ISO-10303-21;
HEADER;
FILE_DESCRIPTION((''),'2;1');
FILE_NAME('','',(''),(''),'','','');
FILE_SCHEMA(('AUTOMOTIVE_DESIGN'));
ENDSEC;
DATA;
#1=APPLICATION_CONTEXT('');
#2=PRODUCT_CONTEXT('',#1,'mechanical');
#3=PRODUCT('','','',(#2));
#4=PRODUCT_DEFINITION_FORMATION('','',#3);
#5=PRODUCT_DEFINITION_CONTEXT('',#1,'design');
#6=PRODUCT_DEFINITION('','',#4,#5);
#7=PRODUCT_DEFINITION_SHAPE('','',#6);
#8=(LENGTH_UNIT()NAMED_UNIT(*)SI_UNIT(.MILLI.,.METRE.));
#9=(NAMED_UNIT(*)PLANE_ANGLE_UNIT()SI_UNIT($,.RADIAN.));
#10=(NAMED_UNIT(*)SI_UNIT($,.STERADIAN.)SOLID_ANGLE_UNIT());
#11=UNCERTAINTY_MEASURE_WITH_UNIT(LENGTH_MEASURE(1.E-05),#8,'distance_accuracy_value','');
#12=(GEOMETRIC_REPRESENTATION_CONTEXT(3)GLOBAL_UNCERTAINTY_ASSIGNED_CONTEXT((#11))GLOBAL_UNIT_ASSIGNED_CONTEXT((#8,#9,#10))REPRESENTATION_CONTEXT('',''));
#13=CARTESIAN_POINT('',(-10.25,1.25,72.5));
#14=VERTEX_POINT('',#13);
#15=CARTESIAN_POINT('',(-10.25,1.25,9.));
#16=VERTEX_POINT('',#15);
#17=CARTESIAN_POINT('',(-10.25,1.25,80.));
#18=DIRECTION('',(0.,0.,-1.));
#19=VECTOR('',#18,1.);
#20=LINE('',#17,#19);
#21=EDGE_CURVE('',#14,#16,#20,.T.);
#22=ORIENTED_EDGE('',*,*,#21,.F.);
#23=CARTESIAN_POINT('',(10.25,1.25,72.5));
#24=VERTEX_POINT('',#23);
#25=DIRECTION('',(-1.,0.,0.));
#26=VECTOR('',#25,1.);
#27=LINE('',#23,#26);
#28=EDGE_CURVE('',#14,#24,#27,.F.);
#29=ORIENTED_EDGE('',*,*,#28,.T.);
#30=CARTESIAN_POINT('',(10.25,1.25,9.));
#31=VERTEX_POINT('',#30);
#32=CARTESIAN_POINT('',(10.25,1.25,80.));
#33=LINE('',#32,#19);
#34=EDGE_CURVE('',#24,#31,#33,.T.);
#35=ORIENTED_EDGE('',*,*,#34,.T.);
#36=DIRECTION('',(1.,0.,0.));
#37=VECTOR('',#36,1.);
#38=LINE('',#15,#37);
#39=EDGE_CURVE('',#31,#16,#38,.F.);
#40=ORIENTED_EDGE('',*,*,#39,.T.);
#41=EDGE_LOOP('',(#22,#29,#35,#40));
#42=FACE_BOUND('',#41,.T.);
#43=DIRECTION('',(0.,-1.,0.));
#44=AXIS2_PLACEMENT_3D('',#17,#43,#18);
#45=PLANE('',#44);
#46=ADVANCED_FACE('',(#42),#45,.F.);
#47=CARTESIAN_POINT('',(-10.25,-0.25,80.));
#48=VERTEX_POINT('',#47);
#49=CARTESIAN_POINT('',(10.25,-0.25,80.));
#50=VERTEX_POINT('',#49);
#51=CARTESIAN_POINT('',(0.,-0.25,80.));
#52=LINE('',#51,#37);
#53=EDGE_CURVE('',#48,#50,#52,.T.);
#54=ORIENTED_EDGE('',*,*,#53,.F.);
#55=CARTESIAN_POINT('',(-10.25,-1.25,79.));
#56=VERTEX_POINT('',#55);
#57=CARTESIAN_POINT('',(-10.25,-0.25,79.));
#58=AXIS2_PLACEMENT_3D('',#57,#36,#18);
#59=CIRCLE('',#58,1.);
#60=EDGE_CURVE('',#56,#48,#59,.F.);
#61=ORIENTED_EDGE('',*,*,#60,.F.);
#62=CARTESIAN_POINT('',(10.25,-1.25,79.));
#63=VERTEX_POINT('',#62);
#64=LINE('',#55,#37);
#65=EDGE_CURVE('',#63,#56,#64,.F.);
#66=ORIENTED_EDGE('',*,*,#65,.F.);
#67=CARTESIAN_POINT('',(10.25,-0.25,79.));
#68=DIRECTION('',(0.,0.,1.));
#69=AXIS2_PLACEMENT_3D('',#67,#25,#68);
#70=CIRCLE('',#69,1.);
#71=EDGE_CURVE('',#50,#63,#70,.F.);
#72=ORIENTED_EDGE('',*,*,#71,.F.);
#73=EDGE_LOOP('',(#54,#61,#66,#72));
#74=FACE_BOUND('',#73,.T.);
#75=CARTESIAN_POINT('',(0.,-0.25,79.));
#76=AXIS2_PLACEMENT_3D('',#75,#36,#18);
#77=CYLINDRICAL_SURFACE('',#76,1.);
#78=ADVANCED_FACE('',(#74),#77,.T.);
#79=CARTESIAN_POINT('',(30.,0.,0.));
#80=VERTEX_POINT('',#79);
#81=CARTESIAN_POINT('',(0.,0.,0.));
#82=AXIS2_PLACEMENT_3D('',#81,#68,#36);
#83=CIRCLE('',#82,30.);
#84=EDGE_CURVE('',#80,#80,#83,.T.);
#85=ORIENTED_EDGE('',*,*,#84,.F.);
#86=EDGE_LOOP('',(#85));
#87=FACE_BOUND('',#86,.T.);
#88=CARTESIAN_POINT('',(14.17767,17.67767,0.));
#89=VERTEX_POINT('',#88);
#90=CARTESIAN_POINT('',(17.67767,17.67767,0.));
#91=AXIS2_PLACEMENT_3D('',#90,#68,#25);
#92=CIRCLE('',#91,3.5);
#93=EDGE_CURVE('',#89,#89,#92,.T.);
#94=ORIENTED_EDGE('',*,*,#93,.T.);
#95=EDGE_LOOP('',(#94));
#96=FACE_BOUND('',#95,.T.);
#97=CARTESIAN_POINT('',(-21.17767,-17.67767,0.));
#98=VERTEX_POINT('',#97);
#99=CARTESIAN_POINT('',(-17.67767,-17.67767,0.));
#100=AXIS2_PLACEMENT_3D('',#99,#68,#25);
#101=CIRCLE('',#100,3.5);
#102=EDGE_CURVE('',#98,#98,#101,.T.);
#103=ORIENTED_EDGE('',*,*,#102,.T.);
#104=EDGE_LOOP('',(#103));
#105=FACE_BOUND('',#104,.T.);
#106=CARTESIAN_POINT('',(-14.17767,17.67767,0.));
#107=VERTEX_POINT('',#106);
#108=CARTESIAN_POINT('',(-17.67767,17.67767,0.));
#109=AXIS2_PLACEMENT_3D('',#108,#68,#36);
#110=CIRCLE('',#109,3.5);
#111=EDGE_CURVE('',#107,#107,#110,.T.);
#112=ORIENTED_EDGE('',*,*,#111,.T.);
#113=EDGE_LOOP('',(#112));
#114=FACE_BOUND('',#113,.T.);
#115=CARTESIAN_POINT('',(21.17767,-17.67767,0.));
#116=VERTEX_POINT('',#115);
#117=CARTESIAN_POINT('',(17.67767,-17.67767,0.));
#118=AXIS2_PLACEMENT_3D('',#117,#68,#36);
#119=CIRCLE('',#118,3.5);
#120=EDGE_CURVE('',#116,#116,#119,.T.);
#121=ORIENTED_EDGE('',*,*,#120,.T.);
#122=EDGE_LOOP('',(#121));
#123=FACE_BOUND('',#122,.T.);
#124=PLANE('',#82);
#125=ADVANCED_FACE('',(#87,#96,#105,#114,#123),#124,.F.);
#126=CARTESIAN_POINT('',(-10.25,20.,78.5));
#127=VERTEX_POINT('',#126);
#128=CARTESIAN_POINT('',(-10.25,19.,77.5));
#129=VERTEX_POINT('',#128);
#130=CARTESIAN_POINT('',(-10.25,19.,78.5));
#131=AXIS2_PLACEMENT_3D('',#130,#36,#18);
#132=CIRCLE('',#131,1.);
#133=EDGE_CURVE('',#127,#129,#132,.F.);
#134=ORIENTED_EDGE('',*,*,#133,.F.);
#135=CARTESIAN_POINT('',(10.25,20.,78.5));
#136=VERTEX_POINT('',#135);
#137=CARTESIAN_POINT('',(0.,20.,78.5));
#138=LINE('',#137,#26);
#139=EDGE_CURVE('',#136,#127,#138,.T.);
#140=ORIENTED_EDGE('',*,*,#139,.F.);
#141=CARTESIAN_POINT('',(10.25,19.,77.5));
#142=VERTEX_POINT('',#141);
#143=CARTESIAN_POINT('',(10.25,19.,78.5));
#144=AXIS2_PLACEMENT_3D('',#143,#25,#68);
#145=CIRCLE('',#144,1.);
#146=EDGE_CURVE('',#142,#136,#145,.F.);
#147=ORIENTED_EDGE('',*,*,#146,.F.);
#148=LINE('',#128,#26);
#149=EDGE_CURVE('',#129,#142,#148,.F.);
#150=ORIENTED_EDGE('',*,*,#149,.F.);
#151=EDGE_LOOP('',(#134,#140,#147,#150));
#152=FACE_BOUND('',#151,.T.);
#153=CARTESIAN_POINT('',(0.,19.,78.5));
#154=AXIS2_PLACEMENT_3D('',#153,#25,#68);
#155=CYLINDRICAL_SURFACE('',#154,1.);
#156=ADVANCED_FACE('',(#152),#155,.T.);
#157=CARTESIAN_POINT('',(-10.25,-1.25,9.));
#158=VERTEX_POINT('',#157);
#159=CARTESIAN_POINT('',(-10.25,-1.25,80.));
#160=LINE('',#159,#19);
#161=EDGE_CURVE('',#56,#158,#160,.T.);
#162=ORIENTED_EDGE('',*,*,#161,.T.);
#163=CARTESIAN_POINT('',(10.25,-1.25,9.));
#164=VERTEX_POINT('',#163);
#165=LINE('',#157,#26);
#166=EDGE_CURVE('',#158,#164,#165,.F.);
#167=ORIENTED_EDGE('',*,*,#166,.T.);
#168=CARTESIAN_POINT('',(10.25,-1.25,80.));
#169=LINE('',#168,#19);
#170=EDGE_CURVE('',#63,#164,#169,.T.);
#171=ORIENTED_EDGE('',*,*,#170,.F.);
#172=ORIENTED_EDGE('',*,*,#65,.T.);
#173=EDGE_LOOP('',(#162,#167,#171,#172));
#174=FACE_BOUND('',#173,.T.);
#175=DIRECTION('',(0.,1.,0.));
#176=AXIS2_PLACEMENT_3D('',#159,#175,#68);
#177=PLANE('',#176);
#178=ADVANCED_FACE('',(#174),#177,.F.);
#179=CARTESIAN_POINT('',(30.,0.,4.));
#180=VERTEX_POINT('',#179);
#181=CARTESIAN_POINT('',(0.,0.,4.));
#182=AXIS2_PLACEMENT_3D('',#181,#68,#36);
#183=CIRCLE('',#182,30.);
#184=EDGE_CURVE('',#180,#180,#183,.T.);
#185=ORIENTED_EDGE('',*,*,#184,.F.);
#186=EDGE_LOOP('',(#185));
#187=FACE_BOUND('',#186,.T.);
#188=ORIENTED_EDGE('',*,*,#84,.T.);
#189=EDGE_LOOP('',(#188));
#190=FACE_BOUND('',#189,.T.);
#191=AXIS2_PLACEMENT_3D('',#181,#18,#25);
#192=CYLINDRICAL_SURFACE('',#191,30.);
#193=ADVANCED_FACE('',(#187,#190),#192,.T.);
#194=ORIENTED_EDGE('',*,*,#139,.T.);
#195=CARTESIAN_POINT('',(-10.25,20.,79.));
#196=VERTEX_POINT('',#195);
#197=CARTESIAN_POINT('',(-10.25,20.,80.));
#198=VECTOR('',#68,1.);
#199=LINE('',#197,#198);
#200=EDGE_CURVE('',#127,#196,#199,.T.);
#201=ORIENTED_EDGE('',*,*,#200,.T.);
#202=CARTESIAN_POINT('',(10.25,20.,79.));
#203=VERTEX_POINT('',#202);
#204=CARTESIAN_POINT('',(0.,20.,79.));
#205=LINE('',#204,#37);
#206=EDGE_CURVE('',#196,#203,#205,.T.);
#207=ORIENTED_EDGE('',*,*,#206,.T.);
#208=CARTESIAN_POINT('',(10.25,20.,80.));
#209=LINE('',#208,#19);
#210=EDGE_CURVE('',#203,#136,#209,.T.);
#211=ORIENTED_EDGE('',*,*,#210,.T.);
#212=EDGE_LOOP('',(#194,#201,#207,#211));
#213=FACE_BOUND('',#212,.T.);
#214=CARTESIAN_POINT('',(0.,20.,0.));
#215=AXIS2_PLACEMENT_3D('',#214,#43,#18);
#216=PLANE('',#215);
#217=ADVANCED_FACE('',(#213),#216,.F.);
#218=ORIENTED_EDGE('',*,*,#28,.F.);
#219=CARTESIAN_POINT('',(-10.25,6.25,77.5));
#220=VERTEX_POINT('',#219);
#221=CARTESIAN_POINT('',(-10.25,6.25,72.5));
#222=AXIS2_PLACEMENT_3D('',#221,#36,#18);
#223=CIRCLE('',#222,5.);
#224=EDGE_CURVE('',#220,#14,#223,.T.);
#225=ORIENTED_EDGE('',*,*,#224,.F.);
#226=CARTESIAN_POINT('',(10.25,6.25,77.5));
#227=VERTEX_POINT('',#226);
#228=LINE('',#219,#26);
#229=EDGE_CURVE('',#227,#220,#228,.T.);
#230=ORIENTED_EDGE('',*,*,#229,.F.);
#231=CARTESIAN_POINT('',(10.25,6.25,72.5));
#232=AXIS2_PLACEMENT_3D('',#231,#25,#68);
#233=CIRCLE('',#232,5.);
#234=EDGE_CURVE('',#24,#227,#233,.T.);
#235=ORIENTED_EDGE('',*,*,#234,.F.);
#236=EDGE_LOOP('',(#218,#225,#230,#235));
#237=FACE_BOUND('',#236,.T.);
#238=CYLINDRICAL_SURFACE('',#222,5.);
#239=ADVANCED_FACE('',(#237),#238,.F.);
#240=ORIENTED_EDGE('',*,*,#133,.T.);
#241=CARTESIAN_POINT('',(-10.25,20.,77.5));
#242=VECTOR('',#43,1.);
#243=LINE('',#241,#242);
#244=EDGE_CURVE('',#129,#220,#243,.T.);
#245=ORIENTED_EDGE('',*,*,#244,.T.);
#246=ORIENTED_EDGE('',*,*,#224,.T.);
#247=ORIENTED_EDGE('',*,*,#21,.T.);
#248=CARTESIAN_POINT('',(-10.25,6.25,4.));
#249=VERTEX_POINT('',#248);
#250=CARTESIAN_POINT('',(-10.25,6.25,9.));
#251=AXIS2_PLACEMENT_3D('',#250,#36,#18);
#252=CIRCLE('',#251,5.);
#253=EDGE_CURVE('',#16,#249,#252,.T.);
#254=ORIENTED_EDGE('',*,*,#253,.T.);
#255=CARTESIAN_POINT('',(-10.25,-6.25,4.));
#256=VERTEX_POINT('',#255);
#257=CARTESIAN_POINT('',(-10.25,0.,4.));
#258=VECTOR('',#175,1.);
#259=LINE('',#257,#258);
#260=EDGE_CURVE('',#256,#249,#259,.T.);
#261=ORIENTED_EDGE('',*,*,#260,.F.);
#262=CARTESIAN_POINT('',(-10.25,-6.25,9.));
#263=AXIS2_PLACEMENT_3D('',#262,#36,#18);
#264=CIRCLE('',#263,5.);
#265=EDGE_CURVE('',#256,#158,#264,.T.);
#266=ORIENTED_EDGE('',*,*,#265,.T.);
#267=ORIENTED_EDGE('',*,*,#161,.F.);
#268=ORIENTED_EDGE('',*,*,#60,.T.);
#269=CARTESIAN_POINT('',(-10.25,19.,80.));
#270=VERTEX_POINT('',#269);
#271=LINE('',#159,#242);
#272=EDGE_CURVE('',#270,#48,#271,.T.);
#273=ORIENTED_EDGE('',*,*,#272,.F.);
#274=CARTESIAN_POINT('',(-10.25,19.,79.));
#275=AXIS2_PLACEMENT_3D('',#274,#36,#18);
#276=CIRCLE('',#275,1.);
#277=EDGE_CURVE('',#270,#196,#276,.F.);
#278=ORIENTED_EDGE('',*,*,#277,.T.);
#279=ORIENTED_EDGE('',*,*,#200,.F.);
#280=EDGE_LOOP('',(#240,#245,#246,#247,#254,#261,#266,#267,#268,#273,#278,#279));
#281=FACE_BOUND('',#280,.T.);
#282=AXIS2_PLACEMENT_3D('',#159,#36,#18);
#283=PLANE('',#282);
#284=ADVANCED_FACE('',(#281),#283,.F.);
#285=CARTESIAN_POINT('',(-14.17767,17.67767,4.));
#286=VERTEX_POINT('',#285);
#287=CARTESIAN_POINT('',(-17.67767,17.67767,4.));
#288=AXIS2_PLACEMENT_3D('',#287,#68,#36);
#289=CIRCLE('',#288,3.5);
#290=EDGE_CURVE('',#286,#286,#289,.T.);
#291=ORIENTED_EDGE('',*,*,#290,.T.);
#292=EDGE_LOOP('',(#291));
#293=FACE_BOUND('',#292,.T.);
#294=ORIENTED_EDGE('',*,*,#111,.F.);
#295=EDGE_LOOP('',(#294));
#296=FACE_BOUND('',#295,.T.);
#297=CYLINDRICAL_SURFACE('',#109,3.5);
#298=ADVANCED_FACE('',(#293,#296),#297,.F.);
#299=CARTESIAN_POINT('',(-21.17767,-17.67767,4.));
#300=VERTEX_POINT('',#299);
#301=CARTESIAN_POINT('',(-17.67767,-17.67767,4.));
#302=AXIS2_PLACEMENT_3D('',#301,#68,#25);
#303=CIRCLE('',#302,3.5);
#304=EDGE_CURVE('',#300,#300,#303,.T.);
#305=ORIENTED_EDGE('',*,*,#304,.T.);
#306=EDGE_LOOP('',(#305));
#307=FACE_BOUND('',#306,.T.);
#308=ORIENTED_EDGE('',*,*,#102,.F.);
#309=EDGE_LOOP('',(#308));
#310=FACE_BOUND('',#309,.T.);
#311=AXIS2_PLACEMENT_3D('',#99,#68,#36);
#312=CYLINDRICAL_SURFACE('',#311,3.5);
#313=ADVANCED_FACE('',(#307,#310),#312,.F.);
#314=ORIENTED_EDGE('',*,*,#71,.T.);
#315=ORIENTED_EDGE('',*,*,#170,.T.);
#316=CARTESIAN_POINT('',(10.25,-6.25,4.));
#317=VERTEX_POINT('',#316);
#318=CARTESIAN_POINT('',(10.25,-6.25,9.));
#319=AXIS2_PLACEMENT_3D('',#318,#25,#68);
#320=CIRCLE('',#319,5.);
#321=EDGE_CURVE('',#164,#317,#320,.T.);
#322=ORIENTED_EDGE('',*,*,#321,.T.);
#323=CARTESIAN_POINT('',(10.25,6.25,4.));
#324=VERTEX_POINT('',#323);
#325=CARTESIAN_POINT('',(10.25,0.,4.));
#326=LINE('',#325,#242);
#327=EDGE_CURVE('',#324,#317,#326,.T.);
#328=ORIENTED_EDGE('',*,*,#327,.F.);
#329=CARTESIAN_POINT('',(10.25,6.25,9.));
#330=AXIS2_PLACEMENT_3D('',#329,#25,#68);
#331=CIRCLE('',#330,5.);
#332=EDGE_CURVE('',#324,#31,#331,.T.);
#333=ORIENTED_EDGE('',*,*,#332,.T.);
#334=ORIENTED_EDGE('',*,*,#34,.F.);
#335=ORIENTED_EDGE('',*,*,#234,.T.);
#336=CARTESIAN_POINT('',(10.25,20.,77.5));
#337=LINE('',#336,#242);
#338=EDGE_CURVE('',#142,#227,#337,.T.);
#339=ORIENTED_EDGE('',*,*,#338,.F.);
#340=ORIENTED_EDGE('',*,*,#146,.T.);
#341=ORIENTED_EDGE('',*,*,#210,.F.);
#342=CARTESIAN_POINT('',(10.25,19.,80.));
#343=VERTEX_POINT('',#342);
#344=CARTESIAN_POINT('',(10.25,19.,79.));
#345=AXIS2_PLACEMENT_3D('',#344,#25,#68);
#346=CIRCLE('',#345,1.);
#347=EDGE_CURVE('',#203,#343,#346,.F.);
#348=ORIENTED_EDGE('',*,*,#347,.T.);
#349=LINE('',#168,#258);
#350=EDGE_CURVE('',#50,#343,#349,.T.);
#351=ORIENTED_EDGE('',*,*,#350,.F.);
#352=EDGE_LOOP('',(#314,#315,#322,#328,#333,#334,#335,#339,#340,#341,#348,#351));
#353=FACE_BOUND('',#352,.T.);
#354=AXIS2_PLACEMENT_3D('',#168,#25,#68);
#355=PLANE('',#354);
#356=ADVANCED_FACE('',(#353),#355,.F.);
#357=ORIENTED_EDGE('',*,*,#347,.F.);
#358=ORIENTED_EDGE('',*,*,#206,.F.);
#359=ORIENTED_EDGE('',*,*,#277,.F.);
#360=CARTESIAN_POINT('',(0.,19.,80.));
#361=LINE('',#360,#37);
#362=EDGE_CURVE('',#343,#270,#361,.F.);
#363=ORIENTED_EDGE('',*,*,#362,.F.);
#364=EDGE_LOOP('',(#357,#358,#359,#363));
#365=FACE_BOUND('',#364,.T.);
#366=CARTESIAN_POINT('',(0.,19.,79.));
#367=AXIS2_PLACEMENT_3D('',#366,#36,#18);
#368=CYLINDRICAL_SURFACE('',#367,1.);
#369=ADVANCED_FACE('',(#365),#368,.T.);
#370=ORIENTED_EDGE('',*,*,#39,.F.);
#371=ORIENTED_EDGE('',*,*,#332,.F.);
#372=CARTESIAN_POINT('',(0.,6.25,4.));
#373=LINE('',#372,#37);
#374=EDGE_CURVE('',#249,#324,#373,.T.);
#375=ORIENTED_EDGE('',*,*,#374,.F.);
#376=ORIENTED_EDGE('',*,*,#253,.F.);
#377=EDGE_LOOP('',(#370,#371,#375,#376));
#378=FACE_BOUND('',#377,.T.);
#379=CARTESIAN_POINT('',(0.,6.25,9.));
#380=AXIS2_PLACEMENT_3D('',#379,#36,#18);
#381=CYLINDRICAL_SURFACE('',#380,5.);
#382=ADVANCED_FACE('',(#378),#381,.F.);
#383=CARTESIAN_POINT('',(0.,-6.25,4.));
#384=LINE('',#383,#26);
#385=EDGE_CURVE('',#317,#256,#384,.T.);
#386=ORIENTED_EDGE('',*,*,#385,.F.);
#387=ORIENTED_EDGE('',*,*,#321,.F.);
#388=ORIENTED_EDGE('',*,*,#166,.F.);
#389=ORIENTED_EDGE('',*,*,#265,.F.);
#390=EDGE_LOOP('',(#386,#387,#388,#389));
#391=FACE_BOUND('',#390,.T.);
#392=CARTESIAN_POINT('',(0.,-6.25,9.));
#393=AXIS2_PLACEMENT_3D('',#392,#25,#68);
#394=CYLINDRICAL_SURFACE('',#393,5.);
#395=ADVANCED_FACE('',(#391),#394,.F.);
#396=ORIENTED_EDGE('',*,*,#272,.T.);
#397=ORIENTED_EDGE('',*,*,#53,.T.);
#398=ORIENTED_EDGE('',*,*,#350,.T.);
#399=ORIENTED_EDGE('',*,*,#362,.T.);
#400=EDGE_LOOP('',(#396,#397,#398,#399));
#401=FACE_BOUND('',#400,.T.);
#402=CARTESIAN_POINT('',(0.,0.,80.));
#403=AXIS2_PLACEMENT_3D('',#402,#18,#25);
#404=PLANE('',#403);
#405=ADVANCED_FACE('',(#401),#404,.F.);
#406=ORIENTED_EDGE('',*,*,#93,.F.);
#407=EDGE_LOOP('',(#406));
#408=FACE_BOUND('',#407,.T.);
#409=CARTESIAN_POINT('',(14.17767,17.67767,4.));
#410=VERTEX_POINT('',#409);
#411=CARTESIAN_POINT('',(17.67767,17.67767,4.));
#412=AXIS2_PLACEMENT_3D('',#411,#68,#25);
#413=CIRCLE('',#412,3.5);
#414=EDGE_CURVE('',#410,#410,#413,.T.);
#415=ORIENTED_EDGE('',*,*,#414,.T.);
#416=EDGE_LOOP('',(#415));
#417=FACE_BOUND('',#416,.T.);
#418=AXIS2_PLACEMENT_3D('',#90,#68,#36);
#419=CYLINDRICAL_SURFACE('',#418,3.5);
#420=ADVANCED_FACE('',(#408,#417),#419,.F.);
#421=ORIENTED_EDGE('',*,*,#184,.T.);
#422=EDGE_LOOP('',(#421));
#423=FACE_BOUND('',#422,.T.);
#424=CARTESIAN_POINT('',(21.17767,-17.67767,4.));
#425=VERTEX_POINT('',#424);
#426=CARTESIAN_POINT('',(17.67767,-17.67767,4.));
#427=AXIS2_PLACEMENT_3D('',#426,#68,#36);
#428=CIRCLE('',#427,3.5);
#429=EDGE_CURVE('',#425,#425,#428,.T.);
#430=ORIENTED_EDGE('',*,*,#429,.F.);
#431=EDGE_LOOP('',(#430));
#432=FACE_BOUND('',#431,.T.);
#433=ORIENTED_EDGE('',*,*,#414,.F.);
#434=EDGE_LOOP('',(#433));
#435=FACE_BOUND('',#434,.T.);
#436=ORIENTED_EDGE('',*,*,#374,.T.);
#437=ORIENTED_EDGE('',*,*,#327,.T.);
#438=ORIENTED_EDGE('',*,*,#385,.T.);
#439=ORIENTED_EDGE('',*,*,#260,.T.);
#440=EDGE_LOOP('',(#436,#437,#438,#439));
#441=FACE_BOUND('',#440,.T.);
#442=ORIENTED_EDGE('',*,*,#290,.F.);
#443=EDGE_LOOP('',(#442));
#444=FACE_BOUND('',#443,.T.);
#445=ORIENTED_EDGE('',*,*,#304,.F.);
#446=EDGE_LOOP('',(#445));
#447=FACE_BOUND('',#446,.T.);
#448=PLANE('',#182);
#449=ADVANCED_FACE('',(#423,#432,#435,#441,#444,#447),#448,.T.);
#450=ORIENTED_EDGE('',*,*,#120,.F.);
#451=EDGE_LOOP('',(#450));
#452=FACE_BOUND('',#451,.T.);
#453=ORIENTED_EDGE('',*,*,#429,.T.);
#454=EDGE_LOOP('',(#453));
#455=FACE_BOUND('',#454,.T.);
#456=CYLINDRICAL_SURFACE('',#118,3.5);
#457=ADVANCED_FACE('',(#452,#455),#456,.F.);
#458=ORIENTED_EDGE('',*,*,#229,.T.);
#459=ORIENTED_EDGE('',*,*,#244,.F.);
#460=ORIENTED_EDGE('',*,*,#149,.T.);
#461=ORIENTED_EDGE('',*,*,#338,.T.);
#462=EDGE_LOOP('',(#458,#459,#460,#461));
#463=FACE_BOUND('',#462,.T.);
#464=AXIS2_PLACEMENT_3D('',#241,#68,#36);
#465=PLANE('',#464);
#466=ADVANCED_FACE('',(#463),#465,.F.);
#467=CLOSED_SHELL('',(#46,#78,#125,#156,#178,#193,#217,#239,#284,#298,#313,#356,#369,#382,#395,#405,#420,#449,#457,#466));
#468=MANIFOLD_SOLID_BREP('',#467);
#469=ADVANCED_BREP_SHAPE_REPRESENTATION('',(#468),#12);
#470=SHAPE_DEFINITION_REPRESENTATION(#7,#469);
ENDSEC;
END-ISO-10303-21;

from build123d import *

# Parameters (mm, degrees)
SKETCH_2_R          = 30
EXTRUDE_1_DEPTH     = 4
SKETCH_3_R          = 3.5
CUT_EXTRUDE_1_DEPTH = 4
SKETCH_14_W         = 20.5
SKETCH_14_H         = 2.5
EXTRUDE_2_DEPTH     = 80
SKETCH_15_W         = 20.5
SKETCH_15_H         = 2.5
EXTRUDE_3_DEPTH     = 20
FILLET_1_R          = 5
FILLET_3_R          = 1


with BuildPart() as part:
    # 草图2 → 凸台-拉伸1 (new body)
    with BuildSketch(Plane.XY):
        Circle(SKETCH_2_R)
    extrude(amount=EXTRUDE_1_DEPTH)

    # 草图3 → 切除-拉伸1 (cut)
    with BuildSketch(Plane.XY.offset(4)):
        with Locations((-17.67766953, 17.67766953)):
            Circle(SKETCH_3_R)
        with Locations(Location((17.67766953, 17.67766953, 0), (0, 0, 180))):
            Circle(SKETCH_3_R)
        with Locations((17.67766953, -17.67766953)):
            Circle(SKETCH_3_R)
        with Locations(Location((-17.67766953, -17.67766953, 0), (0, 0, 180))):
            Circle(SKETCH_3_R)
    extrude(amount=-CUT_EXTRUDE_1_DEPTH, mode=Mode.SUBTRACT)

    # 草图14 → 凸台-拉伸2 (add)
    with BuildSketch(Plane.XY):
        Rectangle(SKETCH_14_W, SKETCH_14_H)
    extrude(amount=EXTRUDE_2_DEPTH)

    # 草图15 → 凸台-拉伸3 (add)
    with BuildSketch(Plane(origin=(0, 0, 0), x_dir=(1, 0, 0), z_dir=(0, 1, 0))):
        with Locations((0, -78.75)):
            Rectangle(SKETCH_15_W, SKETCH_15_H)
    extrude(amount=EXTRUDE_3_DEPTH)

    # 圆角1
    fillet_1_edges = [part.edges().sort_by_distance(p)[0] for p in [
        (0, 1.25, 4),
        (0, -1.25, 4),
        (0, 1.25, 77.5),
    ]]
    fillet(fillet_1_edges, radius=FILLET_1_R)

    # 圆角3
    fillet_3_edges = [part.edges().sort_by_distance(p)[0] for p in [
        (0, -1.25, 80),
        (0, 20, 80),
        (0, 20, 77.5),
    ]]
    fillet(fillet_3_edges, radius=FILLET_3_R)


solid = part.part
